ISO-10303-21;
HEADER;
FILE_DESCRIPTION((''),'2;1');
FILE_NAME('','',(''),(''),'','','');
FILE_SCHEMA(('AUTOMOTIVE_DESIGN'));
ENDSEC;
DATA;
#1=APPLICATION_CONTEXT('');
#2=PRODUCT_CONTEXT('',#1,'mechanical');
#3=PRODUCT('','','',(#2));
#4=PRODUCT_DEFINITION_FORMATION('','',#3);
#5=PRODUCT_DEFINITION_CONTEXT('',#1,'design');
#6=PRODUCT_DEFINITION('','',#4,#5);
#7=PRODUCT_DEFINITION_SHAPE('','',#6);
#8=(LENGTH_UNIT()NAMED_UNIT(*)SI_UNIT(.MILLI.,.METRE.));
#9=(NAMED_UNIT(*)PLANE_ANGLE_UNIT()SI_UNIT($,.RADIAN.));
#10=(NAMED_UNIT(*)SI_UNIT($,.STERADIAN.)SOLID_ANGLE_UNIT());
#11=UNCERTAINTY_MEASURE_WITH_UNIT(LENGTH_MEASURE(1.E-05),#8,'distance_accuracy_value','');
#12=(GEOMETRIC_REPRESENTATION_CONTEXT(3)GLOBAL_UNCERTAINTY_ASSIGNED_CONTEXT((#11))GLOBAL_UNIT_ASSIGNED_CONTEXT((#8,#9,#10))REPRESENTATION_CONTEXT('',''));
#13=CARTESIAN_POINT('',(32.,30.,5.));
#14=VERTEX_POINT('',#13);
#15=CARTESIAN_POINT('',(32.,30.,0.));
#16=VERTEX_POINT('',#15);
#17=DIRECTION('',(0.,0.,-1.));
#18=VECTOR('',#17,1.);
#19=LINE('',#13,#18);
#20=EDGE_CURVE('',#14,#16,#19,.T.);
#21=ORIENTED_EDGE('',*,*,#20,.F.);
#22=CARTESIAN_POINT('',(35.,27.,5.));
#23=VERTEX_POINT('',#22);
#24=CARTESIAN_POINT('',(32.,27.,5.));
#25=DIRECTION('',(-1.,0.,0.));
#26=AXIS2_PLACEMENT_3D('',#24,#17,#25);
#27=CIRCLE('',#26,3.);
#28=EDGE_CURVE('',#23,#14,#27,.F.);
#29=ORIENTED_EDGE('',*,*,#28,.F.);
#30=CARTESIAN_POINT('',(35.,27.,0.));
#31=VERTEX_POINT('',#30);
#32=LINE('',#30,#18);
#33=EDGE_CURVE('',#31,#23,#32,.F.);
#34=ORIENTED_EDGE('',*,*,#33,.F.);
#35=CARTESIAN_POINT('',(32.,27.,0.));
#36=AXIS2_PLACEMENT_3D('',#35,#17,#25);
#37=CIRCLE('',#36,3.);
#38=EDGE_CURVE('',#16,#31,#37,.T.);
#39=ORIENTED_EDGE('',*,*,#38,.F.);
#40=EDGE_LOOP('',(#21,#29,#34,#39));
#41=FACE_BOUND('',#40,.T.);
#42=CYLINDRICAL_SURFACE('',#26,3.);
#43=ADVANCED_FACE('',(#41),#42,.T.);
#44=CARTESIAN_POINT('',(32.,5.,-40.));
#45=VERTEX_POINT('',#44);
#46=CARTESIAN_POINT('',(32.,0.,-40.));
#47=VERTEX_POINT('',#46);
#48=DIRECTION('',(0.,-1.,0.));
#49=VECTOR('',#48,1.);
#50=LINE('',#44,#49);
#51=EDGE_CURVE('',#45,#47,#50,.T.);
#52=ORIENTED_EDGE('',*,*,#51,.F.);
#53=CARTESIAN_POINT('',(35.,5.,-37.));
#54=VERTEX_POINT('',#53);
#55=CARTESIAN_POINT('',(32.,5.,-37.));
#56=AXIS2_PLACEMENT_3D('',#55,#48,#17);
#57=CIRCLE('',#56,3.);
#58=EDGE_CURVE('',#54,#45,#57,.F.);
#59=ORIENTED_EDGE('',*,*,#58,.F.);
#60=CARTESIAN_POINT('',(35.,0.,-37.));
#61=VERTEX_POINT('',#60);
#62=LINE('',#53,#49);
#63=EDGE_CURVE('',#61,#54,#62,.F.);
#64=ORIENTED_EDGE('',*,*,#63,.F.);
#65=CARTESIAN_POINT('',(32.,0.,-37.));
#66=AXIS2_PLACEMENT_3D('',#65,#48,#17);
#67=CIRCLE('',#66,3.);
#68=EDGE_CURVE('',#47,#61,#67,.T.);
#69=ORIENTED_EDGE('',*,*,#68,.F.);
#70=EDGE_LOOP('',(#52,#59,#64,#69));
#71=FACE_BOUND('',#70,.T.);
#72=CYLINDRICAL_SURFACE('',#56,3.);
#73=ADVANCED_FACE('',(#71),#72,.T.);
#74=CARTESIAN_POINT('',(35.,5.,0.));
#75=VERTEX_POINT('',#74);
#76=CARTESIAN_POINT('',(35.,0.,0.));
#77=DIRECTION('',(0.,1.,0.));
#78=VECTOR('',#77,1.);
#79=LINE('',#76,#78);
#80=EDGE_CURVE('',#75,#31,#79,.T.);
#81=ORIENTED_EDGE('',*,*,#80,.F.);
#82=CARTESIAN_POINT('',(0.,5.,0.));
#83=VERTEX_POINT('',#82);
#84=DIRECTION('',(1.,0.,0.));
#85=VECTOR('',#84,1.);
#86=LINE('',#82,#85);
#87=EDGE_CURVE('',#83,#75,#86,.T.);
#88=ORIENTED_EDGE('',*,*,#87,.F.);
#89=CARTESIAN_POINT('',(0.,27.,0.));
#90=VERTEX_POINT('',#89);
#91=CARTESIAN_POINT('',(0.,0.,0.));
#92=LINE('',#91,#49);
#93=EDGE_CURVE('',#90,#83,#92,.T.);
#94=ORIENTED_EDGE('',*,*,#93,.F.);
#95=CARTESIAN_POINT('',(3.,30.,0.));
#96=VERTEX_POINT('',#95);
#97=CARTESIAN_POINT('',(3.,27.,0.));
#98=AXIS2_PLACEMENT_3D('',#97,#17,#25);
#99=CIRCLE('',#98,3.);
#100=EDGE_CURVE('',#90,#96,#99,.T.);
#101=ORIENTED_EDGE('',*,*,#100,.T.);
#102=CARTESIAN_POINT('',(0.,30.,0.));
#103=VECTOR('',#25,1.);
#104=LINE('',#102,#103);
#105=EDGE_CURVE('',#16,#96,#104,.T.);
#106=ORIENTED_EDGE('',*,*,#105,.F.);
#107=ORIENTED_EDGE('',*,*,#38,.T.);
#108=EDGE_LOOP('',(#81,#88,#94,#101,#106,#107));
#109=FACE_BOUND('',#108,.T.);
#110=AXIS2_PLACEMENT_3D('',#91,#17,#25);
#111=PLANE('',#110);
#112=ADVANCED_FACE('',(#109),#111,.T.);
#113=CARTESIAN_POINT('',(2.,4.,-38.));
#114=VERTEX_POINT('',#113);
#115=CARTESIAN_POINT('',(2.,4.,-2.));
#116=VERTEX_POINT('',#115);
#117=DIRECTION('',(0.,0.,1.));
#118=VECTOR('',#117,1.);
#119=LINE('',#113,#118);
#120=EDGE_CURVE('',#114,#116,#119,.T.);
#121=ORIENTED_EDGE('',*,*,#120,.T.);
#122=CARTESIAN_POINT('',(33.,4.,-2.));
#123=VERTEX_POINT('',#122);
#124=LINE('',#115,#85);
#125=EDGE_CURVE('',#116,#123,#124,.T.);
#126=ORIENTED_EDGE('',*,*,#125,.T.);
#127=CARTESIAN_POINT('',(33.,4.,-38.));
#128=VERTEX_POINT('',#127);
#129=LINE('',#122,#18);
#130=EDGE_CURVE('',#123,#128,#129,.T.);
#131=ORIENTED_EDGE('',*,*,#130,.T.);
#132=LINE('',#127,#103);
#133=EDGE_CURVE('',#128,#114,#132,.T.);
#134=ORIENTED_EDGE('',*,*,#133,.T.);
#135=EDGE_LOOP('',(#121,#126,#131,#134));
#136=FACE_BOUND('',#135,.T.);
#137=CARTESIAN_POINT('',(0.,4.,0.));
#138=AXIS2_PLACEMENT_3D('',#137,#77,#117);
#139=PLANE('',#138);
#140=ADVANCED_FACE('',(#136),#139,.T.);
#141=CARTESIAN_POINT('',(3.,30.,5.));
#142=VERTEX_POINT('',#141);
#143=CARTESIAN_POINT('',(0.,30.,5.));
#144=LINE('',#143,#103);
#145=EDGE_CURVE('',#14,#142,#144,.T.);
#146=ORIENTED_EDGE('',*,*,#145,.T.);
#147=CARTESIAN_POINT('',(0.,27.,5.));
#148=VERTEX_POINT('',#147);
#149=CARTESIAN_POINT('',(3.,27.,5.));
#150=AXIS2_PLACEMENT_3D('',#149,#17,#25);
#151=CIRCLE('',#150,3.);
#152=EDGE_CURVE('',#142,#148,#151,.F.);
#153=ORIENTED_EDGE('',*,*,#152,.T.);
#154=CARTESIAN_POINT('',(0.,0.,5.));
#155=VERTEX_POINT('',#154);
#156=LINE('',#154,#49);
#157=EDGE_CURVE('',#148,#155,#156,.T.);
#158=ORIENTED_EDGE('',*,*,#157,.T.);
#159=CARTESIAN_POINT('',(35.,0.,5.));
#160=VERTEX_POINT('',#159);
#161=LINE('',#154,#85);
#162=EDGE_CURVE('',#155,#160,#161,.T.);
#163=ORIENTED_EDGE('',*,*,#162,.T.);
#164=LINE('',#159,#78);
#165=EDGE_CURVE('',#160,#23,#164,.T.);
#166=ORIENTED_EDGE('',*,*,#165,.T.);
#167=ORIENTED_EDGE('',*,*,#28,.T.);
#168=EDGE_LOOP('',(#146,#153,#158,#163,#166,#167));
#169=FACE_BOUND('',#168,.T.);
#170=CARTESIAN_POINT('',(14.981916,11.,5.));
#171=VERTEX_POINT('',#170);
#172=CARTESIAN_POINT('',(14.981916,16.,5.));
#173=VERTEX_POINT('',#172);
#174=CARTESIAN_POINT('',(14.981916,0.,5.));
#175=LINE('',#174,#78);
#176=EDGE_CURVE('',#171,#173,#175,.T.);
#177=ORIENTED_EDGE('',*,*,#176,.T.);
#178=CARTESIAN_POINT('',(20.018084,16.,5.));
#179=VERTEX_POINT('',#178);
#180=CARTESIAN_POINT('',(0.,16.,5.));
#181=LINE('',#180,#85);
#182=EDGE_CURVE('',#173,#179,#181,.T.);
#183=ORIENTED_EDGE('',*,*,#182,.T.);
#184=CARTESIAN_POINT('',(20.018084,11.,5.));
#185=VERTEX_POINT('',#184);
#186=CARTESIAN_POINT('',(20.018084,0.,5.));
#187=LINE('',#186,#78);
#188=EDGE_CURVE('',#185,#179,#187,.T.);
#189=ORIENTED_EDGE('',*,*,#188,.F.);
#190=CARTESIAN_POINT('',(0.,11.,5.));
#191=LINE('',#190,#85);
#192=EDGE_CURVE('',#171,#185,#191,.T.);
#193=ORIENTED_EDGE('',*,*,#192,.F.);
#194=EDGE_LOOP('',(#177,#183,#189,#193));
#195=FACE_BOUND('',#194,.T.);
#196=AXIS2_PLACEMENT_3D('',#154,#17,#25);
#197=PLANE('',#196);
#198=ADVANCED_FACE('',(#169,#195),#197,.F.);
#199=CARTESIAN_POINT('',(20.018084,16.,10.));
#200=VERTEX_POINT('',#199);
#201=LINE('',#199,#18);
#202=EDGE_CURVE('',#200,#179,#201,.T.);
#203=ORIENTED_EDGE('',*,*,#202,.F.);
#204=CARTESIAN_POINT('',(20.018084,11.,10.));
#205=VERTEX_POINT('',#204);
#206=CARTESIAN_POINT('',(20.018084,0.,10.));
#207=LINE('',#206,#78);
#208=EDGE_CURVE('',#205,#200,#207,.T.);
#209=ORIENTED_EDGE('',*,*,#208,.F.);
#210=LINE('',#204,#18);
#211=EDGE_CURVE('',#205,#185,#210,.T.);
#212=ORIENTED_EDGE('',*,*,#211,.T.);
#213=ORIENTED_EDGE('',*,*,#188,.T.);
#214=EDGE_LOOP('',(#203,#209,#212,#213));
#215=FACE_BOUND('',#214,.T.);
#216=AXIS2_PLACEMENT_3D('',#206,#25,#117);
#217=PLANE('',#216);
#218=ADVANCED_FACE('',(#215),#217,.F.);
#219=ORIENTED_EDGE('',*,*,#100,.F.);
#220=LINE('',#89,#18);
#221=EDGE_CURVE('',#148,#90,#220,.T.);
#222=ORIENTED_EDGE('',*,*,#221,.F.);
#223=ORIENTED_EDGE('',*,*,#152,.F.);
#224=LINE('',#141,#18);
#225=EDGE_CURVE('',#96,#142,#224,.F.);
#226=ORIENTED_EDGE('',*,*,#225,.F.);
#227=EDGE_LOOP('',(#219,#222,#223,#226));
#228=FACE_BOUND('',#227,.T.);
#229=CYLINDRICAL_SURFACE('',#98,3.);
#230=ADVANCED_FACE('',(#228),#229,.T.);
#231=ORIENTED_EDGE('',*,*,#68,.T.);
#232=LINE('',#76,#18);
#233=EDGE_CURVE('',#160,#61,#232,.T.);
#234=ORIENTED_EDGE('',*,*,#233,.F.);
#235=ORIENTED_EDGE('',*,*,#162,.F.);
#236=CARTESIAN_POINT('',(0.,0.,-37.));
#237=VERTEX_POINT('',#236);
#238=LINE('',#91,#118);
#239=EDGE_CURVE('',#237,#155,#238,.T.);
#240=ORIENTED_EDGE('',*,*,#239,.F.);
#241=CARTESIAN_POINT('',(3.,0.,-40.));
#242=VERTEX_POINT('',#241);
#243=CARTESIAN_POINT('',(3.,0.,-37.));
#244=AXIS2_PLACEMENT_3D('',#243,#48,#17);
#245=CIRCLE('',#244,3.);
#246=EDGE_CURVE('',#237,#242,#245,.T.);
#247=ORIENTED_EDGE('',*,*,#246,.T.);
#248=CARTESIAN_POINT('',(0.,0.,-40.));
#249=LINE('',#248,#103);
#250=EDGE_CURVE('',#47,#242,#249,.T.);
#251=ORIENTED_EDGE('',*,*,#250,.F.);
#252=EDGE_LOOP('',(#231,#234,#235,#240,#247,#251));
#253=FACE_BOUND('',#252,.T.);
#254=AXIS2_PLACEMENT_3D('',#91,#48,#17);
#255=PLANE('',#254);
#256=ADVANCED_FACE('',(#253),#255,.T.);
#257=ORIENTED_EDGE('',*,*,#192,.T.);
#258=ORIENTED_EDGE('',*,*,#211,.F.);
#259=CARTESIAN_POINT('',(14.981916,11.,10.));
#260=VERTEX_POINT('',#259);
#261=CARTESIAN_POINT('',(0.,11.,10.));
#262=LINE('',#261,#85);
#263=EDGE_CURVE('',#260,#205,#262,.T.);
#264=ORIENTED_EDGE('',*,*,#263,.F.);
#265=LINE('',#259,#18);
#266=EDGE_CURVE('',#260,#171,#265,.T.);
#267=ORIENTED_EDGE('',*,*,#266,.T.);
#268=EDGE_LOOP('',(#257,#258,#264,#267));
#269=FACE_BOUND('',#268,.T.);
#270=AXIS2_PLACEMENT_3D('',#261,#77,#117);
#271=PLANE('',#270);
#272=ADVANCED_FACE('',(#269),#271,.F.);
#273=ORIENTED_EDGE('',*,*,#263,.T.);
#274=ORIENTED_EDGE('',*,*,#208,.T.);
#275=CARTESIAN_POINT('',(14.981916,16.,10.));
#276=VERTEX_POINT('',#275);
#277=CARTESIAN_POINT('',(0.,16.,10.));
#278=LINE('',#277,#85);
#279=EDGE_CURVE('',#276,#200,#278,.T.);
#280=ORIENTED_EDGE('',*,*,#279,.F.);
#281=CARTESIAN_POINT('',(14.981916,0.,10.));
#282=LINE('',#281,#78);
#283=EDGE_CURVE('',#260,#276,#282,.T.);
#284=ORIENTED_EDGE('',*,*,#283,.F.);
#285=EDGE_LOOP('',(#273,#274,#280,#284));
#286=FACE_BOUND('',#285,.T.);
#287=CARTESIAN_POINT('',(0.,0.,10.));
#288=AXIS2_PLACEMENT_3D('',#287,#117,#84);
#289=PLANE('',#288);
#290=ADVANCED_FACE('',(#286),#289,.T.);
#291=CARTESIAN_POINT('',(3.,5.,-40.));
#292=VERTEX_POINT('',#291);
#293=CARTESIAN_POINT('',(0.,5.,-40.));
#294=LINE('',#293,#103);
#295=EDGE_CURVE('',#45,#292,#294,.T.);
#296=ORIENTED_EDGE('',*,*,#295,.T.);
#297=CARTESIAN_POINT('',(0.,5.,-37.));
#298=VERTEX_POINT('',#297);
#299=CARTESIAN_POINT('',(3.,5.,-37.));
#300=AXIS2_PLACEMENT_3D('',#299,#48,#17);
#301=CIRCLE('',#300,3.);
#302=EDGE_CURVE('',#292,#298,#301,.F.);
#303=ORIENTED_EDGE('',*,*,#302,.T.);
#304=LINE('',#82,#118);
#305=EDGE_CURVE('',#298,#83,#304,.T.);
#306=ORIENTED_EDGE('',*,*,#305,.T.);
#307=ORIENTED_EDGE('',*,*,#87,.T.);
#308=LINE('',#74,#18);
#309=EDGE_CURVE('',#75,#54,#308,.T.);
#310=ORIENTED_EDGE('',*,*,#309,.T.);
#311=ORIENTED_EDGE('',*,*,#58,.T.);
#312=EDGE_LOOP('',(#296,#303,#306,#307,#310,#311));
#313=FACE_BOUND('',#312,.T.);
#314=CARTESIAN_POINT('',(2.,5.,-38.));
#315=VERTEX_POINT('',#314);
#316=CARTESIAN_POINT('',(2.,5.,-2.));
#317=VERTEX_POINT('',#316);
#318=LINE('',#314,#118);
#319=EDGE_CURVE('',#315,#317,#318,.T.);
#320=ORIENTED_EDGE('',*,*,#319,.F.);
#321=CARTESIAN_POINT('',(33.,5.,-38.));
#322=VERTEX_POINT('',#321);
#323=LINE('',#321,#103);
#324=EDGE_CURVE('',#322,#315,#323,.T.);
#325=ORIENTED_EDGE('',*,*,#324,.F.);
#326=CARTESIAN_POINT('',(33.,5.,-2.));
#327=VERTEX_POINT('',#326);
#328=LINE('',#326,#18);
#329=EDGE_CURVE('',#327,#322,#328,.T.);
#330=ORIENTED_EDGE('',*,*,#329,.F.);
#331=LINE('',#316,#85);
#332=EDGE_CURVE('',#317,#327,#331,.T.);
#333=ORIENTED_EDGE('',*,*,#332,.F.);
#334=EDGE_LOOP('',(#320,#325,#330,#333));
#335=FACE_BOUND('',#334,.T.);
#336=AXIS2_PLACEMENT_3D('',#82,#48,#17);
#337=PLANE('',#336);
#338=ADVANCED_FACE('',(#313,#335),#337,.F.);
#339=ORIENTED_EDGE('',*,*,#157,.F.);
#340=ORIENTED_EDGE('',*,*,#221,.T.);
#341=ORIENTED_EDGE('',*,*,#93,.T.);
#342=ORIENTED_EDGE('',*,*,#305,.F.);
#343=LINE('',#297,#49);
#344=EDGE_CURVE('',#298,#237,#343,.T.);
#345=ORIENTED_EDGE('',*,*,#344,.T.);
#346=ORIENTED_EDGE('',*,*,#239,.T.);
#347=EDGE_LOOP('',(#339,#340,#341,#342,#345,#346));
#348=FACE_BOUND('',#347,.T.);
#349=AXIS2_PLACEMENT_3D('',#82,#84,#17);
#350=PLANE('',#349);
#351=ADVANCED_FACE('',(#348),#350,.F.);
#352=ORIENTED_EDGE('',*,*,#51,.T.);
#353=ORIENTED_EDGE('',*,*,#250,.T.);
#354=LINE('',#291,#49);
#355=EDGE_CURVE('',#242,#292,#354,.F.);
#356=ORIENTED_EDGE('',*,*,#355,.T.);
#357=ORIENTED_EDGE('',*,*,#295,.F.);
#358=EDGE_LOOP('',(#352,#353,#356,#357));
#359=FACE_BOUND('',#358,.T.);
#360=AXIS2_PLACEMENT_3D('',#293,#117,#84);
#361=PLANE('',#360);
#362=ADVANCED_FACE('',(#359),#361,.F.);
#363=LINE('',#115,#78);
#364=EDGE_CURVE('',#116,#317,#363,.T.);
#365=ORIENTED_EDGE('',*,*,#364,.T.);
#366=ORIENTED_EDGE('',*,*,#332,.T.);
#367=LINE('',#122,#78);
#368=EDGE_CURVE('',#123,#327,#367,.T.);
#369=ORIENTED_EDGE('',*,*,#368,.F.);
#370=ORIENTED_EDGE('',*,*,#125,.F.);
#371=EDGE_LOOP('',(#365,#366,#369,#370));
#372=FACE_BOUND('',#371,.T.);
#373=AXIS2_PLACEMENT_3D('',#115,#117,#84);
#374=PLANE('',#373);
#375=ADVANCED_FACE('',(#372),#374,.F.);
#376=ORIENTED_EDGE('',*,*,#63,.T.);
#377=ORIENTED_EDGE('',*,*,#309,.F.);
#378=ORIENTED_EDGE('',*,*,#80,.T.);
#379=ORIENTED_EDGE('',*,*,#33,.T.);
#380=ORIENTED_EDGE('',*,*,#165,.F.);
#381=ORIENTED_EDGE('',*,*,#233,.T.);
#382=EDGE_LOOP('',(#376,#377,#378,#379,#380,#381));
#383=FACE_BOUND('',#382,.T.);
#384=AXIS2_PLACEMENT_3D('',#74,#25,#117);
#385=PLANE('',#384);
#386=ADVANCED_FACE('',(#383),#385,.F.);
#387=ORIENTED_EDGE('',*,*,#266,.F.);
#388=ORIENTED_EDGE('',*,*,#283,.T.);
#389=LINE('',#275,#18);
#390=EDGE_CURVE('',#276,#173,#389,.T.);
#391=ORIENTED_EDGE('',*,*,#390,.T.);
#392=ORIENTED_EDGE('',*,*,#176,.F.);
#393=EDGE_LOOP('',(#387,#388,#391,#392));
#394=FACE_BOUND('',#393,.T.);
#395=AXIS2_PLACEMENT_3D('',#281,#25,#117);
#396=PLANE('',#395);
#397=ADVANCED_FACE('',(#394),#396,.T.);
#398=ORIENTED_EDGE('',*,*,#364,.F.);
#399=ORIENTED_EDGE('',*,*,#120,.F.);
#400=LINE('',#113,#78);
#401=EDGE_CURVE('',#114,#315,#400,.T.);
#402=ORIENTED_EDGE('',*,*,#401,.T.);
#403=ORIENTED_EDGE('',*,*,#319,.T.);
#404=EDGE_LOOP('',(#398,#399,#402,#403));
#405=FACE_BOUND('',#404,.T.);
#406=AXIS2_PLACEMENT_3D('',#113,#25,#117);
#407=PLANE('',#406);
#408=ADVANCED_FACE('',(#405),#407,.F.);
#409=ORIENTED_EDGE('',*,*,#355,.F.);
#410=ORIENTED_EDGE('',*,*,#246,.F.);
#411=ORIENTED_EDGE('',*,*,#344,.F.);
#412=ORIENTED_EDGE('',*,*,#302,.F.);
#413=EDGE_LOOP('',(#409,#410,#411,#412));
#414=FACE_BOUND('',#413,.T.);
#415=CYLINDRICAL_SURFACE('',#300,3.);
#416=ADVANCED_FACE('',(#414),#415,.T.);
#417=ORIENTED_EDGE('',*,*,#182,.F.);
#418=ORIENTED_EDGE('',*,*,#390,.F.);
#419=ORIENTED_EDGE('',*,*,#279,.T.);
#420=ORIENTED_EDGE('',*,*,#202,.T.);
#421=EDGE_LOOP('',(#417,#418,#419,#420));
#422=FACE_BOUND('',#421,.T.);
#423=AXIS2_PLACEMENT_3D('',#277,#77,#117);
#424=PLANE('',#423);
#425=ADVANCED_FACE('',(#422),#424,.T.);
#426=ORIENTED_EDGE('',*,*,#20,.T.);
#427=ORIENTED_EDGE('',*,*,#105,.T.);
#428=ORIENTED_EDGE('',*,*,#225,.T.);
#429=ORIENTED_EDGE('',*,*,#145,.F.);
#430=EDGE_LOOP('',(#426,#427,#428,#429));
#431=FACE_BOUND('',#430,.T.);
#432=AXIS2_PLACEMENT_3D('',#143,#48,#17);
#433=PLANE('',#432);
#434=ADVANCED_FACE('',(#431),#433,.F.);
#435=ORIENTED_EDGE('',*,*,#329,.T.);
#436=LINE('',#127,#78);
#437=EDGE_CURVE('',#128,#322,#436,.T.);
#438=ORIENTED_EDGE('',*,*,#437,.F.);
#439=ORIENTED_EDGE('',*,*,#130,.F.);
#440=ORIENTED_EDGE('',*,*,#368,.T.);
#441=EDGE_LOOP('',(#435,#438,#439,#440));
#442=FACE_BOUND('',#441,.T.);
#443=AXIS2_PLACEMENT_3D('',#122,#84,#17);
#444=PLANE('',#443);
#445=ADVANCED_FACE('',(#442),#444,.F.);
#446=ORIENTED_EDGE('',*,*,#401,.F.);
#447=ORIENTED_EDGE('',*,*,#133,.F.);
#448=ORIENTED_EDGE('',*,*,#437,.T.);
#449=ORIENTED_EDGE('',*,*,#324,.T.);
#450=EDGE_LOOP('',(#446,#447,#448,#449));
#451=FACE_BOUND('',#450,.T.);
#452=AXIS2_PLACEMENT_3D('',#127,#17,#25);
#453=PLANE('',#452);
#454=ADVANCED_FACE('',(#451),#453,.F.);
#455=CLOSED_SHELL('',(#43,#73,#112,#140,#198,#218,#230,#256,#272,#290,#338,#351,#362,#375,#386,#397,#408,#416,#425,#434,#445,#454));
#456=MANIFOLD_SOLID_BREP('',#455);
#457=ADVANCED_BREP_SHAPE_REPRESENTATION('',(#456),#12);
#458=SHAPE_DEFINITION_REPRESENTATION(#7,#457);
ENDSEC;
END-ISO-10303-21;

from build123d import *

# Parameters (mm, degrees)
SKETCH1_W           = 35
SKETCH1_H           = 40
BOSS_EXTRUDE1_DEPTH = 5
SKETCH2_W           = 31
SKETCH2_H           = 36
CUT_EXTRUDE1_DEPTH  = 1
SKETCH3_W           = 35
SKETCH3_H           = 30
BOSS_EXTRUDE2_DEPTH = 5
FILLET2_R           = 3
FILLET3_R           = 3
FILLET4_R           = 3
SKETCH4_W           = 5.036167186
SKETCH4_H           = 5
BOSS_EXTRUDE3_DEPTH = 5


with BuildPart() as part:
    # Sketch1 → Boss-Extrude1 (new body)
    with BuildSketch(Plane(origin=(0, 0, 0), x_dir=(1, 0, 0), z_dir=(0, 1, 0))):
        with Locations((17.5, 20)):
            Rectangle(SKETCH1_W, SKETCH1_H)
    extrude(amount=BOSS_EXTRUDE1_DEPTH)

    # Sketch2 → Cut-Extrude1 (cut)
    with BuildSketch(Plane(origin=(0, 5, 0), x_dir=(1, 0, 0), z_dir=(0, 1, 0))):
        with Locations((17.5, 20)):
            Rectangle(SKETCH2_W, SKETCH2_H)
    extrude(amount=-CUT_EXTRUDE1_DEPTH, mode=Mode.SUBTRACT)

    # Sketch3 → Boss-Extrude2 (add)
    with BuildSketch(Plane.XY):
        with Locations((17.5, 15)):
            Rectangle(SKETCH3_W, SKETCH3_H)
    extrude(amount=BOSS_EXTRUDE2_DEPTH)

    # Fillet2
    fillet2_edges = [part.edges().sort_by_distance(p)[0] for p in [
        (0, 2.5, -40),
    ]]
    fillet(fillet2_edges, radius=FILLET2_R)

    # Fillet3
    fillet3_edges = [part.edges().sort_by_distance(p)[0] for p in [
        (35, 2.5, -40),
    ]]
    fillet(fillet3_edges, radius=FILLET3_R)

    # Fillet4
    fillet4_edges = [part.edges().sort_by_distance(p)[0] for p in [
        (0, 30, 2.5),
        (35, 30, 2.5),
    ]]
    fillet(fillet4_edges, radius=FILLET4_R)

    # Sketch4 → Boss-Extrude3 (add)
    with BuildSketch(Plane.XY.offset(5)):
        with Locations((17.5, 13.5)):
            Rectangle(SKETCH4_W, SKETCH4_H)
    extrude(amount=BOSS_EXTRUDE3_DEPTH)


solid = part.part
